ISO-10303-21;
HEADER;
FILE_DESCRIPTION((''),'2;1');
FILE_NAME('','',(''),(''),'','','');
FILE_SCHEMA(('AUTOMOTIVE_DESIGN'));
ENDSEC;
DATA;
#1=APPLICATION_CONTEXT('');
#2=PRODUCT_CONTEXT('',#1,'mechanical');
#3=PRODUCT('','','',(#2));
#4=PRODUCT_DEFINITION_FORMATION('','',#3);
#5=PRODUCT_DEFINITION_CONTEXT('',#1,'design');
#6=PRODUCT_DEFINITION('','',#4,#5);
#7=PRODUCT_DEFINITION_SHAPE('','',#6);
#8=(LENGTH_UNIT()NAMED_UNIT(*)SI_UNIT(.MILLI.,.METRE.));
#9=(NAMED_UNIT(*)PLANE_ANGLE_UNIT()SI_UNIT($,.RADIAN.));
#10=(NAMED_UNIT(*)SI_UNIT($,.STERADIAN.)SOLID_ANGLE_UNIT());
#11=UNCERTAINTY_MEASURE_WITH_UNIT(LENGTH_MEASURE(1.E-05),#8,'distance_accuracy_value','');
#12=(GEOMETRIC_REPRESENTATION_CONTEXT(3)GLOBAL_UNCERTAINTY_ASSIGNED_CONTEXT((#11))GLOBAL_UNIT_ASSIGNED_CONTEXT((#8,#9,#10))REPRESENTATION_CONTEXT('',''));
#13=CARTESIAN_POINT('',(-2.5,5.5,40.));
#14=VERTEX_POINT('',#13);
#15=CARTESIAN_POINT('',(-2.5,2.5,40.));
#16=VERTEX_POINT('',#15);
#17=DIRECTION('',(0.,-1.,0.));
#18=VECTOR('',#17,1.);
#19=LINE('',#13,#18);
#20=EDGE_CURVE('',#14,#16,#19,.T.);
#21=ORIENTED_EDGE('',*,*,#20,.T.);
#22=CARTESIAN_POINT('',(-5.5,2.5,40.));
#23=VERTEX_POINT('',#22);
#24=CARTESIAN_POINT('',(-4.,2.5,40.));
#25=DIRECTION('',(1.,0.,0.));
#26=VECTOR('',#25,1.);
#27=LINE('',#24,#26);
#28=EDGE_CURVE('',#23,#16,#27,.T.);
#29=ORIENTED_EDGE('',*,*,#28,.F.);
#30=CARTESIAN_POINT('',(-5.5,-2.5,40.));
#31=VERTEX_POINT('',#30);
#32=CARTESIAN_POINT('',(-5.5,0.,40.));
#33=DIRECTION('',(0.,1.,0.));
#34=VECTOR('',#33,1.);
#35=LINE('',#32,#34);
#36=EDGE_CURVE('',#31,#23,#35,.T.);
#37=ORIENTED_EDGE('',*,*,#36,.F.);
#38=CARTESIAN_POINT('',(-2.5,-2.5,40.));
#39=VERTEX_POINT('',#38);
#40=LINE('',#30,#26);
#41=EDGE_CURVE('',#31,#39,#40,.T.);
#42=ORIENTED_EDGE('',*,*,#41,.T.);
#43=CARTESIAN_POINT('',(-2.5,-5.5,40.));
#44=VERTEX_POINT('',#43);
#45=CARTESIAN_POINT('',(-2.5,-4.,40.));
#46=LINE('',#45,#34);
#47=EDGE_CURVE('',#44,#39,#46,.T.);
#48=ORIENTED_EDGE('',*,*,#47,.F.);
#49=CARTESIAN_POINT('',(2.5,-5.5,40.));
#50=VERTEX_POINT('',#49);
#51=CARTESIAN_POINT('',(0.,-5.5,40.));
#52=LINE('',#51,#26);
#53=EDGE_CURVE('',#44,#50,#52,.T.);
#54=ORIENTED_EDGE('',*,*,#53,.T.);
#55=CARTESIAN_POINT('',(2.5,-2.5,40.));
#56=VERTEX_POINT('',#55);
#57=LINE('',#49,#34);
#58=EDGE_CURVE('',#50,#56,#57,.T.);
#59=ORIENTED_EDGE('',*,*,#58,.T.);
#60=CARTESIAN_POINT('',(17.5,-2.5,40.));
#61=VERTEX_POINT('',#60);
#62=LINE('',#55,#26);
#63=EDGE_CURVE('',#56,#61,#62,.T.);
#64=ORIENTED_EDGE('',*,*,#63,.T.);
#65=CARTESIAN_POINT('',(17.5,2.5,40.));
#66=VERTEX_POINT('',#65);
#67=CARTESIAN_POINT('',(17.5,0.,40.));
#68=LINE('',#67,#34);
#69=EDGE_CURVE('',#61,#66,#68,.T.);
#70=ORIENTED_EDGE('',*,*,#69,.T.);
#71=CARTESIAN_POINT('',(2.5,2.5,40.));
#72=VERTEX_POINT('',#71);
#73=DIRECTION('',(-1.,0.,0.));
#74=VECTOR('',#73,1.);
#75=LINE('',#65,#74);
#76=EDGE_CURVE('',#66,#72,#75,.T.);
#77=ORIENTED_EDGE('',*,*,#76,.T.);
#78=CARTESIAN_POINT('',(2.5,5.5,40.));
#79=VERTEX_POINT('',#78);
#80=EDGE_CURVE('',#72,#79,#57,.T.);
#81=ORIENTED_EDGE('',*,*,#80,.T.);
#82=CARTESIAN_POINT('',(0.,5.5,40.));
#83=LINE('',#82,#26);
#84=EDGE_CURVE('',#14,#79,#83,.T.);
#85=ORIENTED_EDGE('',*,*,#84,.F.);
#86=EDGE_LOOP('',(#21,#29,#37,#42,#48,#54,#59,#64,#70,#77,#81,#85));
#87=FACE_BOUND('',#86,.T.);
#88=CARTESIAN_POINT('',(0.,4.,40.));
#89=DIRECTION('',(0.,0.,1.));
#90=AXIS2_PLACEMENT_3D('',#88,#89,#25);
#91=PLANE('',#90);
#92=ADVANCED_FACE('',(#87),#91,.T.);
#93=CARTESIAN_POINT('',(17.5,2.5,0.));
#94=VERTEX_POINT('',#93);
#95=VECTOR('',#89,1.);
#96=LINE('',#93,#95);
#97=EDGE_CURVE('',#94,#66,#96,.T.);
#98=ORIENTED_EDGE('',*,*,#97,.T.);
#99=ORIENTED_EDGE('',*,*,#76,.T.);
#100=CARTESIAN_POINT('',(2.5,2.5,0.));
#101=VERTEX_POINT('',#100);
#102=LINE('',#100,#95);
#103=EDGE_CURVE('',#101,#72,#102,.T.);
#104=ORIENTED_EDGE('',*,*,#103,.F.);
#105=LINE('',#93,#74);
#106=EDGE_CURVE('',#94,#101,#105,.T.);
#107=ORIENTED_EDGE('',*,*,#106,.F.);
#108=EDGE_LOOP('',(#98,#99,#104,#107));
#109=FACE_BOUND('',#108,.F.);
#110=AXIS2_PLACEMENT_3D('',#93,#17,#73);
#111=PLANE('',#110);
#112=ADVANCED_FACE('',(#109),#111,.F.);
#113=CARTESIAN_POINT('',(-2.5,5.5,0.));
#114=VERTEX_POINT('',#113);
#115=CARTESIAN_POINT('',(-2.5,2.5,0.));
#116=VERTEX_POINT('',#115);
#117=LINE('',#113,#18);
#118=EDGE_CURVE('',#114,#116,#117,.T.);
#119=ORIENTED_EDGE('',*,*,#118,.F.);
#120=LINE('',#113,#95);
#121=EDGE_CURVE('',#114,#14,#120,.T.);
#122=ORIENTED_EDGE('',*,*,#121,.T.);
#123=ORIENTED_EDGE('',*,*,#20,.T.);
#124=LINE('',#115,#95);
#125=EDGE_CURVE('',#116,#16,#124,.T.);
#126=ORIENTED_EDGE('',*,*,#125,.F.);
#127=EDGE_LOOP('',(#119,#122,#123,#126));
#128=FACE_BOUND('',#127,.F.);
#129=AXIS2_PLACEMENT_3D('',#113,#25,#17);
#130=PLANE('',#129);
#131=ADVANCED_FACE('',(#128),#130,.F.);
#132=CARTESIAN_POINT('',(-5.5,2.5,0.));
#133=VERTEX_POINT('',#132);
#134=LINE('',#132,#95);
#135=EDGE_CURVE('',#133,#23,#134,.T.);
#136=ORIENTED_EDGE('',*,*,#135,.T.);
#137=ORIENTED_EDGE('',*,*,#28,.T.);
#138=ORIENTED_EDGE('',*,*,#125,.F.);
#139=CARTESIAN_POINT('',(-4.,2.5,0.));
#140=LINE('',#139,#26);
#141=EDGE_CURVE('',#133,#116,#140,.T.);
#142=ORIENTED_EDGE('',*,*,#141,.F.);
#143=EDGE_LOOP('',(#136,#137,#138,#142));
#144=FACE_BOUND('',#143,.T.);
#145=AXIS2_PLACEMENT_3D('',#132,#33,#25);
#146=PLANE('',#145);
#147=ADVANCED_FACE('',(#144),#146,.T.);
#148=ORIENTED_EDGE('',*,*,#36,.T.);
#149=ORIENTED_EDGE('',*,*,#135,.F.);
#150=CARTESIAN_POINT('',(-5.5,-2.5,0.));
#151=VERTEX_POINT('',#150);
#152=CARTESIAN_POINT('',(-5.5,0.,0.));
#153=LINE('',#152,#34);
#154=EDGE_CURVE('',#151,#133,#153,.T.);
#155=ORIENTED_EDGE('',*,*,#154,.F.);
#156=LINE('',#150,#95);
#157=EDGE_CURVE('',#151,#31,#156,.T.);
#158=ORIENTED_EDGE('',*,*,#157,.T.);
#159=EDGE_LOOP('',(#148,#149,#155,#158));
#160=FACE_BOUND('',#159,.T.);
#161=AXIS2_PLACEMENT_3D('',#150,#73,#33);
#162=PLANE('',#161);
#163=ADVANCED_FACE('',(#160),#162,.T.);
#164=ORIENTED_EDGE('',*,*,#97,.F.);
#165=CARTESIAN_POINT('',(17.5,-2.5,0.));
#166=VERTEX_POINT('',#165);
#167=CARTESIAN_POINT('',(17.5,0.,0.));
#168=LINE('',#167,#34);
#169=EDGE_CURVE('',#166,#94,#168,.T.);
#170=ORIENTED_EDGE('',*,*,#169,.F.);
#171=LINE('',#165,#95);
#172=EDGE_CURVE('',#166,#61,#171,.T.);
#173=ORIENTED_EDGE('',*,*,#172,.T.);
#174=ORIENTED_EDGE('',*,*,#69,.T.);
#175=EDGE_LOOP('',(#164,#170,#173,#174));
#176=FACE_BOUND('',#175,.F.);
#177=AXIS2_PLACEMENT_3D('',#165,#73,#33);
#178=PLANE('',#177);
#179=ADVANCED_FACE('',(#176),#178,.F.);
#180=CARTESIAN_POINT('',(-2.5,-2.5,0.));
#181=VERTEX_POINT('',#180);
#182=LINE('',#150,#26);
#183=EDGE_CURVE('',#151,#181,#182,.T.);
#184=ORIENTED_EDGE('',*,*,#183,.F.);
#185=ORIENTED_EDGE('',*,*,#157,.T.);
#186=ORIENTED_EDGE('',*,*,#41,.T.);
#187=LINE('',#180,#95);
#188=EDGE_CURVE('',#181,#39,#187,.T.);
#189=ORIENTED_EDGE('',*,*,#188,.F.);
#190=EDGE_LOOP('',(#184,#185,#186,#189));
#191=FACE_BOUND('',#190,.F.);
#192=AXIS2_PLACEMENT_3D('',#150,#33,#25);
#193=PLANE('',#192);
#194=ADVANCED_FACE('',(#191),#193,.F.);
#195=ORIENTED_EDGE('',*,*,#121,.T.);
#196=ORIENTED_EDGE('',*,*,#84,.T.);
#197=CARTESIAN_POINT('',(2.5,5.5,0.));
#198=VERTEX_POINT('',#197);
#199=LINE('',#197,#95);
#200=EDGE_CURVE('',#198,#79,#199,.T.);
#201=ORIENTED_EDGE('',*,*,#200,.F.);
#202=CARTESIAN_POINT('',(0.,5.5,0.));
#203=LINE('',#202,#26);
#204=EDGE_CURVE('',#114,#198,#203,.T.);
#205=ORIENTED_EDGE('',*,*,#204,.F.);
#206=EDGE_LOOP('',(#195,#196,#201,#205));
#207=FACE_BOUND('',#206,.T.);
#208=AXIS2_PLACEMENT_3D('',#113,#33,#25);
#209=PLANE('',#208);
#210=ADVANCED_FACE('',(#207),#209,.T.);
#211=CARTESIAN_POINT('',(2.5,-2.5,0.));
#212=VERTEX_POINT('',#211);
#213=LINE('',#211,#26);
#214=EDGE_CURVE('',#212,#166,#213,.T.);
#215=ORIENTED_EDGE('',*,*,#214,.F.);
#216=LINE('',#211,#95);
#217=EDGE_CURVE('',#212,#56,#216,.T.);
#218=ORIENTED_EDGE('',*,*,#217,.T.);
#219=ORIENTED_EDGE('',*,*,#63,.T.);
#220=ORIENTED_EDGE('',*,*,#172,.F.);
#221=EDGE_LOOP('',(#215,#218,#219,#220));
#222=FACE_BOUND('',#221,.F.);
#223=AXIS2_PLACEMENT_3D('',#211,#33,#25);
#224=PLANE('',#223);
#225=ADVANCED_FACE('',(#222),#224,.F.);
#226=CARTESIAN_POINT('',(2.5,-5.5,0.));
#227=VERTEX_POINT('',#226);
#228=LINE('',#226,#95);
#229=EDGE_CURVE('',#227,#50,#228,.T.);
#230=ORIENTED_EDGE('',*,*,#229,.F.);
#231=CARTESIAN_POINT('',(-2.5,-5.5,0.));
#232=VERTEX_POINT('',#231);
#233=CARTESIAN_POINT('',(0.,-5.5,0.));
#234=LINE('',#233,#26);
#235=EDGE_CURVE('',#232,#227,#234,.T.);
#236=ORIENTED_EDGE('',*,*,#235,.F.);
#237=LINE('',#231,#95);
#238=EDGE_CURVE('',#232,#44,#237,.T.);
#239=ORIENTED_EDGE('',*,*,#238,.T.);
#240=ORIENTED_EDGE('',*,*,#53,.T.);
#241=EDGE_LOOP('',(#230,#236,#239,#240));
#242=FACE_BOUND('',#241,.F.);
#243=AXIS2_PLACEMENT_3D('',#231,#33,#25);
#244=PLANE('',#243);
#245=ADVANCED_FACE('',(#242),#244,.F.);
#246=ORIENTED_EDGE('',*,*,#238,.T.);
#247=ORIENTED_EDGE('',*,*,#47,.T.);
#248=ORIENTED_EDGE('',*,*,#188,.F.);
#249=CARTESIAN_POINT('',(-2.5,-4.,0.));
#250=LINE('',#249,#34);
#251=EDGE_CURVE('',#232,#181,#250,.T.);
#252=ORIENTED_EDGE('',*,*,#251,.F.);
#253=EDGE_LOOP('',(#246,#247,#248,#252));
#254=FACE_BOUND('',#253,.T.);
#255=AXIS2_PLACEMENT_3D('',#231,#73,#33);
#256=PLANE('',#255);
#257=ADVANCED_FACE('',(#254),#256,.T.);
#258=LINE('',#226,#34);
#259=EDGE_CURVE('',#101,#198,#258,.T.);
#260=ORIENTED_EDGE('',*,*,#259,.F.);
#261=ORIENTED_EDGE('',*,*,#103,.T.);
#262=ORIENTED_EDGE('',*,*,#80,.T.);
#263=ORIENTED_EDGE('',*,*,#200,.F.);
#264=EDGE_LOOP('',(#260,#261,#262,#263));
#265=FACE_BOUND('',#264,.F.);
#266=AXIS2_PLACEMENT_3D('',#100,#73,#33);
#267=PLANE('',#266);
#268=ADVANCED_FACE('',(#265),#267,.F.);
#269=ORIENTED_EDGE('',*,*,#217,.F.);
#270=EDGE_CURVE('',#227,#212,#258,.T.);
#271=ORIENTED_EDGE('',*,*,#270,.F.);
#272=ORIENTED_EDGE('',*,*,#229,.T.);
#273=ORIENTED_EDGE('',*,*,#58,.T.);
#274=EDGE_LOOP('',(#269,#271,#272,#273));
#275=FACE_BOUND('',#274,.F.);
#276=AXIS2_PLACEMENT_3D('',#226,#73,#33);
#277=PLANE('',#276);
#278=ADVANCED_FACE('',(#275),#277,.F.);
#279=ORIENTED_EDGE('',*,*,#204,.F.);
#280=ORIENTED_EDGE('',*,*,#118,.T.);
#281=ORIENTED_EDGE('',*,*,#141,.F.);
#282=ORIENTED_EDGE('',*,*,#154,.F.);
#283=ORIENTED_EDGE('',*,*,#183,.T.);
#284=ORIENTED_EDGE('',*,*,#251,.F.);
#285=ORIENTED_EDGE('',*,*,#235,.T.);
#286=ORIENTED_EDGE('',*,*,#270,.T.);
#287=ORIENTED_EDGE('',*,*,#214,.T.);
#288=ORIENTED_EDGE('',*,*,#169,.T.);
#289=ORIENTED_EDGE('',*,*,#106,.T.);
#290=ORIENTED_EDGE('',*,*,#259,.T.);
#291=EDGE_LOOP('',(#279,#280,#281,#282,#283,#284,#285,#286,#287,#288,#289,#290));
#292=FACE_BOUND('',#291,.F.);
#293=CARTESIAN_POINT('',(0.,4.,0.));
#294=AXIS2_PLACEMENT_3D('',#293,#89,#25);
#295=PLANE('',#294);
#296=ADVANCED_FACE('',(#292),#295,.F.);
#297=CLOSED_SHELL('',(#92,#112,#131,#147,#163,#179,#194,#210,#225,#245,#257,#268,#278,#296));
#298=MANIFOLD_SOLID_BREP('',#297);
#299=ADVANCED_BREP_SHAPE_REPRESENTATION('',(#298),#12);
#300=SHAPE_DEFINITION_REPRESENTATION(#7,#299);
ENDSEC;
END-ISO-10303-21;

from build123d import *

# Parameters (mm, degrees)
F0_W     = 5
F0_H     = 3
F0_H_2   = 5
F0_W_2   = 3
F0_W_3   = 12
F1_DEPTH = 40


with BuildPart() as f1:
    # F0 (on Top) → F1 (new body)
    with BuildSketch(Plane.XY):
        with Locations((0, 4)):
            Rectangle(F0_W, F0_H)
        Rectangle(F0_W, F0_H_2)
        with Locations((-4, 0)):
            Rectangle(F0_W_2, F0_H_2)
        with Locations((0, -4)):
            Rectangle(F0_W, F0_H)
        with Locations((4, 0)):
            Rectangle(F0_W_2, F0_H_2)
        with Locations((11.5, 0)):
            Rectangle(F0_W_3, F0_H_2)
    extrude(amount=F1_DEPTH)


solid = f1.part
